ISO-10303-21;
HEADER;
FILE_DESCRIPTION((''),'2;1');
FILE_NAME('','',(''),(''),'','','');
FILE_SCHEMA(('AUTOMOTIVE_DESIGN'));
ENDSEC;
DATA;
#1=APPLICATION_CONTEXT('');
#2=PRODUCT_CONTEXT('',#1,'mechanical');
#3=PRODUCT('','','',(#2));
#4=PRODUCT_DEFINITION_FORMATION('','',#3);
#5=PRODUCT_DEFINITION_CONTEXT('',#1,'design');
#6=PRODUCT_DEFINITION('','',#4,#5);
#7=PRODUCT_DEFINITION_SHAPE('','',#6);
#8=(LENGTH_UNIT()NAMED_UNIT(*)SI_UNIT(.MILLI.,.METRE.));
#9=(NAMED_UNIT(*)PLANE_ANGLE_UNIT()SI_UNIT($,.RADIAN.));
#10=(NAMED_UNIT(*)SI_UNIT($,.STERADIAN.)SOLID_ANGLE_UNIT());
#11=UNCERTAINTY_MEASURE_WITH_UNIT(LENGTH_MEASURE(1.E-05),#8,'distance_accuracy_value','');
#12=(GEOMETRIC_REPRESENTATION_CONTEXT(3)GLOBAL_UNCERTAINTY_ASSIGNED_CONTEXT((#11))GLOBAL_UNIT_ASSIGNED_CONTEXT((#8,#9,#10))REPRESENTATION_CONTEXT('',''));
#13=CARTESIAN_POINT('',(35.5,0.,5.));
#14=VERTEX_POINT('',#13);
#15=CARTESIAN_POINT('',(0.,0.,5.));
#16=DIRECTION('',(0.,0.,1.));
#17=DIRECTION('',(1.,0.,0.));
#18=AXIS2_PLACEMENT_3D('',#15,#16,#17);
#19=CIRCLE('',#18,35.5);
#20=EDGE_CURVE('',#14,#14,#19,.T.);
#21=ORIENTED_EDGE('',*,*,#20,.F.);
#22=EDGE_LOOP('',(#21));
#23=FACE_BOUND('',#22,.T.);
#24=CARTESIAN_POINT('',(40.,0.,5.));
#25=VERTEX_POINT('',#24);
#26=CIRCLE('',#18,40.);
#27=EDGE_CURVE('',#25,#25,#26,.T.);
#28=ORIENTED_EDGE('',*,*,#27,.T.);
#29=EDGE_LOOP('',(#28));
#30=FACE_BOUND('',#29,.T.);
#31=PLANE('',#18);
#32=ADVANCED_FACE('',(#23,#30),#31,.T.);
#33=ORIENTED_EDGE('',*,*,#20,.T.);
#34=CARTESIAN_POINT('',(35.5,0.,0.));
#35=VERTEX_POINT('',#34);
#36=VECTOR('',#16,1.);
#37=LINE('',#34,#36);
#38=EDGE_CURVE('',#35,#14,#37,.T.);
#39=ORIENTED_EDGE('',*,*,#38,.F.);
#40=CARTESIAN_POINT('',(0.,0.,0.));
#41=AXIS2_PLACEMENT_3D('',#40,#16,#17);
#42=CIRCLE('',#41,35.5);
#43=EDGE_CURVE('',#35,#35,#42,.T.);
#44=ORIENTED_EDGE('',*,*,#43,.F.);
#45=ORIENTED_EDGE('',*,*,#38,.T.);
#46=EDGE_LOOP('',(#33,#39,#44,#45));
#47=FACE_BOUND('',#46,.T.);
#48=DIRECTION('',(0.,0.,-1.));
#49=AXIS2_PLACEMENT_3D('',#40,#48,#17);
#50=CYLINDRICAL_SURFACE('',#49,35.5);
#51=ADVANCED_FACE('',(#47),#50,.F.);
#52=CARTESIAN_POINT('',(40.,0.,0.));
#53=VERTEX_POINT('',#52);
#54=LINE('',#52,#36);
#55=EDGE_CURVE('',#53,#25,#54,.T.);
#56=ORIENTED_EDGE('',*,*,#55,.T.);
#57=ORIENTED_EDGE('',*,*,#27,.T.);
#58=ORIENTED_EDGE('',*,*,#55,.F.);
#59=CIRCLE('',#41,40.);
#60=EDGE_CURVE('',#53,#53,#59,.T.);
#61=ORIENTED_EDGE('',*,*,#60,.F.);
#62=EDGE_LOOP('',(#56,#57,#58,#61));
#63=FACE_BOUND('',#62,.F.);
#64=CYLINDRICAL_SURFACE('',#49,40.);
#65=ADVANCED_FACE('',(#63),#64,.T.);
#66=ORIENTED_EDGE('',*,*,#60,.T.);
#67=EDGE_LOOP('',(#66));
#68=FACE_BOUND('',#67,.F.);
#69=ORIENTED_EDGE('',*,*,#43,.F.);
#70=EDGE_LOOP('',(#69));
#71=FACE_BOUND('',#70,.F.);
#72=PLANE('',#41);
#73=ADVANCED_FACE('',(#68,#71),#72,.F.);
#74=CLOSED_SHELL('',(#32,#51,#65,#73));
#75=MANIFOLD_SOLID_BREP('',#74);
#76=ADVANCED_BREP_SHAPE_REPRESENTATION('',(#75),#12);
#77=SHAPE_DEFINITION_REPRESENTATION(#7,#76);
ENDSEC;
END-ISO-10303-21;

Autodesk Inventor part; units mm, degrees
ref_plane "YZ Plane" through (0, 0, 0) normal (1, 0, 0) x (0, 1, 0)
ref_plane "XZ Plane" through (0, 0, 0) normal (0, 1, 0) x (-1, 0, 0)
ref_plane "XY Plane" through (0, 0, 0) normal (0, 0, 1) x (1, 0, 0)
sketch "Sketch1" plane through (0, 0, 0) normal (0, 0, 1) x (1, 0, 0)
  circle A0 centre (0, 0) radius 40
  circle A1 centre (0, 0) radius 35.5
  dimension "d0" = 80
  dimension "d1" = 71
extrude "Extrusion1" add sketch "Sketch1" along normal blind 5
properties part number "washer 2" material "Rubber, Silicone"
